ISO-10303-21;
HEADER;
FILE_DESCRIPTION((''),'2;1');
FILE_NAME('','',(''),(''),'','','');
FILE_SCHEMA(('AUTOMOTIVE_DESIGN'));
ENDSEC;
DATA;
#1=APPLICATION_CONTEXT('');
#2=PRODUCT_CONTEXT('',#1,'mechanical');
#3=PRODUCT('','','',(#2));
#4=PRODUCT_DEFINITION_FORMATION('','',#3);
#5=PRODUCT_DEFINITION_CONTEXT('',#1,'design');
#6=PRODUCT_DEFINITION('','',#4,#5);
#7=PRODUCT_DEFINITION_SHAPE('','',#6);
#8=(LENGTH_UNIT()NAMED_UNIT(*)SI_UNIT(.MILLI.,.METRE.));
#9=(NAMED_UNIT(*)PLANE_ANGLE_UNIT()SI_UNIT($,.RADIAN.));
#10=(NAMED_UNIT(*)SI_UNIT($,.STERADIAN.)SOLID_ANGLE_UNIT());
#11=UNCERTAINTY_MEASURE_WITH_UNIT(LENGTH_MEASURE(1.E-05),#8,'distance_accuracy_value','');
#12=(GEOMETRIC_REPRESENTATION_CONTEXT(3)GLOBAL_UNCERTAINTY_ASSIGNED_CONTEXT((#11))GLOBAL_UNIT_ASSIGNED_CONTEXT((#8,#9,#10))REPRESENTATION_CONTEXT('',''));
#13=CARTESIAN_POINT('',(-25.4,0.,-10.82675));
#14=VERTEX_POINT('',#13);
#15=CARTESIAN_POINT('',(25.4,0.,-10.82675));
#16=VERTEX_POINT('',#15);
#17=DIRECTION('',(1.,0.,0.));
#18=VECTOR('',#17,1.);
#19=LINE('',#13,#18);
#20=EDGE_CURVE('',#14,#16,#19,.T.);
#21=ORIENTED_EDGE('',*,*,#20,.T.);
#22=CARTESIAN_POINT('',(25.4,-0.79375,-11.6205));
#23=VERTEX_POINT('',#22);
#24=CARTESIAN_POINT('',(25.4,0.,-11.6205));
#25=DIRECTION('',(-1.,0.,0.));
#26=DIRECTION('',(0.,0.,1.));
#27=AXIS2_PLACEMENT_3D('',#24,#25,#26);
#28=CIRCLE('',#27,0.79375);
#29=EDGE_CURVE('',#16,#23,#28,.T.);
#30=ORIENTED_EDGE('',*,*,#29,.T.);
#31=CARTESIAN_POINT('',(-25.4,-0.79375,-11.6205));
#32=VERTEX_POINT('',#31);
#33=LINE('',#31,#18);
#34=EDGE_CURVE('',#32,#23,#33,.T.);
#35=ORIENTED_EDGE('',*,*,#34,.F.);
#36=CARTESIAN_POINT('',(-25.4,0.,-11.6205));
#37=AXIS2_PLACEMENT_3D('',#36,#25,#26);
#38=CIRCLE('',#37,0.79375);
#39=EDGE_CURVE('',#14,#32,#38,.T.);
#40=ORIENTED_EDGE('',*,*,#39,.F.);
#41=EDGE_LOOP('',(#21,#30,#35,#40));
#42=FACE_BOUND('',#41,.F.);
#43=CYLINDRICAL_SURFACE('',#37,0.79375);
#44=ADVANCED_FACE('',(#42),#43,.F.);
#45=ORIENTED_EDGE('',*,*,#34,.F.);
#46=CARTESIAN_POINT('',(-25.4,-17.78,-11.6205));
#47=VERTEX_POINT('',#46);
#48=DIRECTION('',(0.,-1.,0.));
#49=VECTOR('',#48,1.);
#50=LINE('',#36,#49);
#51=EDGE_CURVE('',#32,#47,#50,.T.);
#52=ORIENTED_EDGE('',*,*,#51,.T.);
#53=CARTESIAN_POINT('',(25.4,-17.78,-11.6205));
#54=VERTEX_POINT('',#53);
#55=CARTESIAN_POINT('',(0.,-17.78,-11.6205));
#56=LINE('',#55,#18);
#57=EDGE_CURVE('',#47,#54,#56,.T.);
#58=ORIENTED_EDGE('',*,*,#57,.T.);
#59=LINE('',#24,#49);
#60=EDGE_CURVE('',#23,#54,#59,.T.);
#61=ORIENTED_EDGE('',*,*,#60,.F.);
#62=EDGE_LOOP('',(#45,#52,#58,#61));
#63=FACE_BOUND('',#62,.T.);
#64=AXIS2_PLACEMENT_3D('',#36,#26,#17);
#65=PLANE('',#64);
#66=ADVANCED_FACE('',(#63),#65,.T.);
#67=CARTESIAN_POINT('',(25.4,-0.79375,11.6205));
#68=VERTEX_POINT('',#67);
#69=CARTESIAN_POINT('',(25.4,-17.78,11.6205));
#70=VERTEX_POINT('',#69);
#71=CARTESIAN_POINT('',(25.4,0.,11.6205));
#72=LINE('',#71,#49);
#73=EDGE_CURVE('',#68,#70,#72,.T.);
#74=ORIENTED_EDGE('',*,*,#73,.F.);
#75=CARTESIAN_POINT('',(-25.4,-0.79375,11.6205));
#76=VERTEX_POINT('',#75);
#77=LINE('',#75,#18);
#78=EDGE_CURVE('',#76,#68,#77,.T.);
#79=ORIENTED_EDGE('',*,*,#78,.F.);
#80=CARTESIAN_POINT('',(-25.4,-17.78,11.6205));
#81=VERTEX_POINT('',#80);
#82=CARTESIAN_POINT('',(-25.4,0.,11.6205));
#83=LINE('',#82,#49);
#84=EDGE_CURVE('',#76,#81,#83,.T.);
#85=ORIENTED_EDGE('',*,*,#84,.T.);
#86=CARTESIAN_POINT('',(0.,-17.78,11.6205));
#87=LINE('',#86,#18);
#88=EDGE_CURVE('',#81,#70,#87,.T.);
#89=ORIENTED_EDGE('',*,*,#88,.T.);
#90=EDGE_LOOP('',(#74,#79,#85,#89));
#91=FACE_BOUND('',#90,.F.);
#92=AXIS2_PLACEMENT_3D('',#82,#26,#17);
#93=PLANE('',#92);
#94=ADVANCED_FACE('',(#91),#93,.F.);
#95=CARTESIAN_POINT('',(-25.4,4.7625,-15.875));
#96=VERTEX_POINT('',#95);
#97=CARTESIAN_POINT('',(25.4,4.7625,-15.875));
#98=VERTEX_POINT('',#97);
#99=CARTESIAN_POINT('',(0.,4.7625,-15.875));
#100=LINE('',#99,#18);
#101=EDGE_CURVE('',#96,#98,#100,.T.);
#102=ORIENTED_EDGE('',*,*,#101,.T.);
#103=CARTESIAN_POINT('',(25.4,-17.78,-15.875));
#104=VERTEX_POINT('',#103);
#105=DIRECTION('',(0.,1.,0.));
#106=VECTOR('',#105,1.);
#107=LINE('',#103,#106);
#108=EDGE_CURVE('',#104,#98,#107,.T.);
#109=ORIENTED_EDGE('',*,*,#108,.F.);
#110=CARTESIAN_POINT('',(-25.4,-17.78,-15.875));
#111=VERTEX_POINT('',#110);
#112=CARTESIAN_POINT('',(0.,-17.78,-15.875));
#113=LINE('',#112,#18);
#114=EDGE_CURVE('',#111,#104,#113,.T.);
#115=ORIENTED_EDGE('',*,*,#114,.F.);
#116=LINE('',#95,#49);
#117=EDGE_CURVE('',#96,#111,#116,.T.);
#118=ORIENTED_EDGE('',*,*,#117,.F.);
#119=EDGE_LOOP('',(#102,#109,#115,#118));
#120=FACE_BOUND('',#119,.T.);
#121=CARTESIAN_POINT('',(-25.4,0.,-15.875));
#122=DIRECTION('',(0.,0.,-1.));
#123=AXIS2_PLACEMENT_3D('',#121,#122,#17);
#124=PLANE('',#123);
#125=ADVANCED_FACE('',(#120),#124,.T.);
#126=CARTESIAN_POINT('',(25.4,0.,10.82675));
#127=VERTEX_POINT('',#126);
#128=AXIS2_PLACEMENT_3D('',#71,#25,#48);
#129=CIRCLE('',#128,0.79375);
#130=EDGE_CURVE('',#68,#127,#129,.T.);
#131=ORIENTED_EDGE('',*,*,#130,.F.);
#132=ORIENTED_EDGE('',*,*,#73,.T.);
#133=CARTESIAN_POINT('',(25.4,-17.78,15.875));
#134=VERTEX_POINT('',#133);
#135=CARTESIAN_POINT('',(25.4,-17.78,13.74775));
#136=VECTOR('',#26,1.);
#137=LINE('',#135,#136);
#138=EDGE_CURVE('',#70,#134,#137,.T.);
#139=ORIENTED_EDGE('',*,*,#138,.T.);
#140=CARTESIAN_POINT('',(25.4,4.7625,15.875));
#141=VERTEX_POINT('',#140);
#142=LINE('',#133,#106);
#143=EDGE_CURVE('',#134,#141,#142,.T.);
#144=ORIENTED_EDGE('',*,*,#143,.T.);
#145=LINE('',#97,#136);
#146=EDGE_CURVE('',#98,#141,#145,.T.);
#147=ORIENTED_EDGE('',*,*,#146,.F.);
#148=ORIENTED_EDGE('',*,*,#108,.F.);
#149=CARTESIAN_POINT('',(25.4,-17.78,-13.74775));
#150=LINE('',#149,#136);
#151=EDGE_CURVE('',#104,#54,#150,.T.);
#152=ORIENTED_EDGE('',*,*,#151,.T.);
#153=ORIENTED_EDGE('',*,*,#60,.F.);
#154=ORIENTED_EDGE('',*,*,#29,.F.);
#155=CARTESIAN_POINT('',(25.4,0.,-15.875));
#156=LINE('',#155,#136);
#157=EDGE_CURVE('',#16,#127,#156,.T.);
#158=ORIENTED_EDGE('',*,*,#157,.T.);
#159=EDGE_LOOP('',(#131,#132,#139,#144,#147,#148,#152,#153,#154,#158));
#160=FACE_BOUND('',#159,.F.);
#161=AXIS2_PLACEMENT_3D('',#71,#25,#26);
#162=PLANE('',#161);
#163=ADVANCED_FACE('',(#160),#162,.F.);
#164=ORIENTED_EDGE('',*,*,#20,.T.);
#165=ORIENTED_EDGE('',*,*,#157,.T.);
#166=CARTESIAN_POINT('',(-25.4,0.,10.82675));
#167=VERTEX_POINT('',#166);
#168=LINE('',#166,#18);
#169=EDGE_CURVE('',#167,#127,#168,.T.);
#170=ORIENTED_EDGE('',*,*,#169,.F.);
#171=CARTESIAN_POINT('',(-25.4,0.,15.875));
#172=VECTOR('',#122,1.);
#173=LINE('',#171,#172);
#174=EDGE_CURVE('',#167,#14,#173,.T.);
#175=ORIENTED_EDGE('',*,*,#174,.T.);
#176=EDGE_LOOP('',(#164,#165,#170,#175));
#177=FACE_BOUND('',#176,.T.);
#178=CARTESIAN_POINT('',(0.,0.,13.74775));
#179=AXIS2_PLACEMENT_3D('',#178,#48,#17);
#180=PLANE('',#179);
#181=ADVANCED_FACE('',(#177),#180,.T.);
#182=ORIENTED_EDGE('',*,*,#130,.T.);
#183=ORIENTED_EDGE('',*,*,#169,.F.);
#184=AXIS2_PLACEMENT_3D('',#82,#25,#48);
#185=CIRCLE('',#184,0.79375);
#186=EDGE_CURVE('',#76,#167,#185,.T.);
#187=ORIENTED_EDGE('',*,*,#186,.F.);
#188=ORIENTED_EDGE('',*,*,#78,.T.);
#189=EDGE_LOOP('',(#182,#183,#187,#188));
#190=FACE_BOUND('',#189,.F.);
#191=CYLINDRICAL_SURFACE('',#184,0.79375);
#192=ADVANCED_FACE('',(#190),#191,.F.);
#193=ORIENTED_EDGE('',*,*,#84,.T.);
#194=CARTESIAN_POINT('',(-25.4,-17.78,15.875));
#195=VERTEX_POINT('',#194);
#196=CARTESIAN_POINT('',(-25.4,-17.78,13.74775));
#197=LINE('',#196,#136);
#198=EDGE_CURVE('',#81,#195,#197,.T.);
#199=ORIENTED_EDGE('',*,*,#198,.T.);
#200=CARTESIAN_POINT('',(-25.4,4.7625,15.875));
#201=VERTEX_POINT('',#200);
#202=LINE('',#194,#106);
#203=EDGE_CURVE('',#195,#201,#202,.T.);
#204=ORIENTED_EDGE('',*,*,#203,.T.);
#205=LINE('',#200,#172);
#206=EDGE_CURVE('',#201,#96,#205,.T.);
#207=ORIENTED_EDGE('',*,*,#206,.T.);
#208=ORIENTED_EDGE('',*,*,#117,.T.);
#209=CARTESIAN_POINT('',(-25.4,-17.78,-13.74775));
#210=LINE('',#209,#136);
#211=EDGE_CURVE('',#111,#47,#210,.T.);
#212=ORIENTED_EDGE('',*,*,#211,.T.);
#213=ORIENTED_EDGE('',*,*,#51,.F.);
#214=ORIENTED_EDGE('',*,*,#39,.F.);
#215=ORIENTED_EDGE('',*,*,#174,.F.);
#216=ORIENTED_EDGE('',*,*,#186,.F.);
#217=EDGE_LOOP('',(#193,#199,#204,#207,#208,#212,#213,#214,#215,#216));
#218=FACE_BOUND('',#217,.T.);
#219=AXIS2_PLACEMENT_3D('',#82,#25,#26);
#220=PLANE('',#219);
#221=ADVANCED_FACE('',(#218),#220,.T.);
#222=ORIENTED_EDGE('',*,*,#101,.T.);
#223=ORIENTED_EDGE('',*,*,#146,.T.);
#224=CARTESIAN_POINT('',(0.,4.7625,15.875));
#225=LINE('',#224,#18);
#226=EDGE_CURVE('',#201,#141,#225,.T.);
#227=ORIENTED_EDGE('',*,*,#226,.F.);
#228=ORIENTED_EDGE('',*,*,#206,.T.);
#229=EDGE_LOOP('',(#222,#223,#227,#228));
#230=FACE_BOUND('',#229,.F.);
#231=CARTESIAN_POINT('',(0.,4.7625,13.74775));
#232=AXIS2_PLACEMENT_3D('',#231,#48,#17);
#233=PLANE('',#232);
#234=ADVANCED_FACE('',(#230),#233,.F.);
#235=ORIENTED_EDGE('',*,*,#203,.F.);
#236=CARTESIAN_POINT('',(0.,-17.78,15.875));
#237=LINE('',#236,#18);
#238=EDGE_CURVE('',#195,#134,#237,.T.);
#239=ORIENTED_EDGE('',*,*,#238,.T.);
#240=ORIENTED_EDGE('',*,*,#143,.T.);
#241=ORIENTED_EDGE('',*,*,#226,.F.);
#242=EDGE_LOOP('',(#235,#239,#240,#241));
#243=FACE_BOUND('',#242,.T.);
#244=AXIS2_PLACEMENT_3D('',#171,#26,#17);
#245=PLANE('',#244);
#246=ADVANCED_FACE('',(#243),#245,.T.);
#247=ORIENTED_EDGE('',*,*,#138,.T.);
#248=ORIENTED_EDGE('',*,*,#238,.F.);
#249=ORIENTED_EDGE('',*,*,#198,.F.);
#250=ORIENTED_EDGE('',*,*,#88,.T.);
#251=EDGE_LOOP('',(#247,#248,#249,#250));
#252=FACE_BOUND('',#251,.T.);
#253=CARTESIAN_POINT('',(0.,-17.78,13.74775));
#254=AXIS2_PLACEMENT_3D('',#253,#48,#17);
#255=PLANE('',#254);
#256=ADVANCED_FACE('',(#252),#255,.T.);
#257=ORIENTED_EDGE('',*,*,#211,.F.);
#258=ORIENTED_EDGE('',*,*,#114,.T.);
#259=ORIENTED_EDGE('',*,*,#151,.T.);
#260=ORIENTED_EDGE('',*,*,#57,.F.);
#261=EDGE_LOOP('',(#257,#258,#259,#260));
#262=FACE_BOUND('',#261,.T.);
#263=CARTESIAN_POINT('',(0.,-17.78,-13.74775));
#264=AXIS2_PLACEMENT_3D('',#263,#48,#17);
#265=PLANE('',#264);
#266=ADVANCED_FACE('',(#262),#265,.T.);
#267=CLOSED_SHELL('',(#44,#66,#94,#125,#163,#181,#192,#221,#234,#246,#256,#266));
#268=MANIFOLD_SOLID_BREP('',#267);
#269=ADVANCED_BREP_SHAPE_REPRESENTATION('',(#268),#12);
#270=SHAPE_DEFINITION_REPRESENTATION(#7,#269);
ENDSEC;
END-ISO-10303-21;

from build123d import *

# Parameters (mm, degrees)
F0_W     = 50.8
F0_H     = 4.2545
F0_H_2   = 23.241
F1_DEPTH = 4.7625
F2_DEPTH = 17.78
F4_DEPTH = 50.801


with BuildPart() as f1:
    # F0 (on Front) → F1 (new body)
    with BuildSketch(Plane.XZ):
        with Locations((0, 13.74775)):
            Rectangle(F0_W, F0_H)
        Rectangle(F0_W, F0_H_2)
        with Locations((0, -13.74775)):
            Rectangle(F0_W, F0_H)
    extrude(amount=-F1_DEPTH)

    # F0 (on Front) → F2 (join)
    with BuildSketch(Plane.XZ):
        with Locations((0, 13.74775)):
            Rectangle(F0_W, F0_H)
        with Locations((0, -13.74775)):
            Rectangle(F0_W, F0_H)
    extrude(amount=F2_DEPTH)

    # F3 (on face) → F4 (cut, through all)
    with BuildSketch(Plane(origin=(-25.4, 0, 0), x_dir=(0, -1, 0), z_dir=(-1, 0, 0))):
        with BuildLine():
            Line((0, 11.6205), (0.79375, 11.6205))
            ThreePointArc((0.79375, 11.6205), (-0.5612660076, 12.1817660076), (0, 10.82675))
            Line((0, 10.82675), (0, 11.6205))
        make_face()
        with BuildLine():
            Line((0, -11.6205), (0, -10.82675))
            ThreePointArc((0, -10.82675), (-0.5612660076, -12.1817660076), (0.79375, -11.6205))
            Line((0.79375, -11.6205), (0, -11.6205))
        make_face()
    extrude(amount=-F4_DEPTH, mode=Mode.SUBTRACT)


solid = f1.part
